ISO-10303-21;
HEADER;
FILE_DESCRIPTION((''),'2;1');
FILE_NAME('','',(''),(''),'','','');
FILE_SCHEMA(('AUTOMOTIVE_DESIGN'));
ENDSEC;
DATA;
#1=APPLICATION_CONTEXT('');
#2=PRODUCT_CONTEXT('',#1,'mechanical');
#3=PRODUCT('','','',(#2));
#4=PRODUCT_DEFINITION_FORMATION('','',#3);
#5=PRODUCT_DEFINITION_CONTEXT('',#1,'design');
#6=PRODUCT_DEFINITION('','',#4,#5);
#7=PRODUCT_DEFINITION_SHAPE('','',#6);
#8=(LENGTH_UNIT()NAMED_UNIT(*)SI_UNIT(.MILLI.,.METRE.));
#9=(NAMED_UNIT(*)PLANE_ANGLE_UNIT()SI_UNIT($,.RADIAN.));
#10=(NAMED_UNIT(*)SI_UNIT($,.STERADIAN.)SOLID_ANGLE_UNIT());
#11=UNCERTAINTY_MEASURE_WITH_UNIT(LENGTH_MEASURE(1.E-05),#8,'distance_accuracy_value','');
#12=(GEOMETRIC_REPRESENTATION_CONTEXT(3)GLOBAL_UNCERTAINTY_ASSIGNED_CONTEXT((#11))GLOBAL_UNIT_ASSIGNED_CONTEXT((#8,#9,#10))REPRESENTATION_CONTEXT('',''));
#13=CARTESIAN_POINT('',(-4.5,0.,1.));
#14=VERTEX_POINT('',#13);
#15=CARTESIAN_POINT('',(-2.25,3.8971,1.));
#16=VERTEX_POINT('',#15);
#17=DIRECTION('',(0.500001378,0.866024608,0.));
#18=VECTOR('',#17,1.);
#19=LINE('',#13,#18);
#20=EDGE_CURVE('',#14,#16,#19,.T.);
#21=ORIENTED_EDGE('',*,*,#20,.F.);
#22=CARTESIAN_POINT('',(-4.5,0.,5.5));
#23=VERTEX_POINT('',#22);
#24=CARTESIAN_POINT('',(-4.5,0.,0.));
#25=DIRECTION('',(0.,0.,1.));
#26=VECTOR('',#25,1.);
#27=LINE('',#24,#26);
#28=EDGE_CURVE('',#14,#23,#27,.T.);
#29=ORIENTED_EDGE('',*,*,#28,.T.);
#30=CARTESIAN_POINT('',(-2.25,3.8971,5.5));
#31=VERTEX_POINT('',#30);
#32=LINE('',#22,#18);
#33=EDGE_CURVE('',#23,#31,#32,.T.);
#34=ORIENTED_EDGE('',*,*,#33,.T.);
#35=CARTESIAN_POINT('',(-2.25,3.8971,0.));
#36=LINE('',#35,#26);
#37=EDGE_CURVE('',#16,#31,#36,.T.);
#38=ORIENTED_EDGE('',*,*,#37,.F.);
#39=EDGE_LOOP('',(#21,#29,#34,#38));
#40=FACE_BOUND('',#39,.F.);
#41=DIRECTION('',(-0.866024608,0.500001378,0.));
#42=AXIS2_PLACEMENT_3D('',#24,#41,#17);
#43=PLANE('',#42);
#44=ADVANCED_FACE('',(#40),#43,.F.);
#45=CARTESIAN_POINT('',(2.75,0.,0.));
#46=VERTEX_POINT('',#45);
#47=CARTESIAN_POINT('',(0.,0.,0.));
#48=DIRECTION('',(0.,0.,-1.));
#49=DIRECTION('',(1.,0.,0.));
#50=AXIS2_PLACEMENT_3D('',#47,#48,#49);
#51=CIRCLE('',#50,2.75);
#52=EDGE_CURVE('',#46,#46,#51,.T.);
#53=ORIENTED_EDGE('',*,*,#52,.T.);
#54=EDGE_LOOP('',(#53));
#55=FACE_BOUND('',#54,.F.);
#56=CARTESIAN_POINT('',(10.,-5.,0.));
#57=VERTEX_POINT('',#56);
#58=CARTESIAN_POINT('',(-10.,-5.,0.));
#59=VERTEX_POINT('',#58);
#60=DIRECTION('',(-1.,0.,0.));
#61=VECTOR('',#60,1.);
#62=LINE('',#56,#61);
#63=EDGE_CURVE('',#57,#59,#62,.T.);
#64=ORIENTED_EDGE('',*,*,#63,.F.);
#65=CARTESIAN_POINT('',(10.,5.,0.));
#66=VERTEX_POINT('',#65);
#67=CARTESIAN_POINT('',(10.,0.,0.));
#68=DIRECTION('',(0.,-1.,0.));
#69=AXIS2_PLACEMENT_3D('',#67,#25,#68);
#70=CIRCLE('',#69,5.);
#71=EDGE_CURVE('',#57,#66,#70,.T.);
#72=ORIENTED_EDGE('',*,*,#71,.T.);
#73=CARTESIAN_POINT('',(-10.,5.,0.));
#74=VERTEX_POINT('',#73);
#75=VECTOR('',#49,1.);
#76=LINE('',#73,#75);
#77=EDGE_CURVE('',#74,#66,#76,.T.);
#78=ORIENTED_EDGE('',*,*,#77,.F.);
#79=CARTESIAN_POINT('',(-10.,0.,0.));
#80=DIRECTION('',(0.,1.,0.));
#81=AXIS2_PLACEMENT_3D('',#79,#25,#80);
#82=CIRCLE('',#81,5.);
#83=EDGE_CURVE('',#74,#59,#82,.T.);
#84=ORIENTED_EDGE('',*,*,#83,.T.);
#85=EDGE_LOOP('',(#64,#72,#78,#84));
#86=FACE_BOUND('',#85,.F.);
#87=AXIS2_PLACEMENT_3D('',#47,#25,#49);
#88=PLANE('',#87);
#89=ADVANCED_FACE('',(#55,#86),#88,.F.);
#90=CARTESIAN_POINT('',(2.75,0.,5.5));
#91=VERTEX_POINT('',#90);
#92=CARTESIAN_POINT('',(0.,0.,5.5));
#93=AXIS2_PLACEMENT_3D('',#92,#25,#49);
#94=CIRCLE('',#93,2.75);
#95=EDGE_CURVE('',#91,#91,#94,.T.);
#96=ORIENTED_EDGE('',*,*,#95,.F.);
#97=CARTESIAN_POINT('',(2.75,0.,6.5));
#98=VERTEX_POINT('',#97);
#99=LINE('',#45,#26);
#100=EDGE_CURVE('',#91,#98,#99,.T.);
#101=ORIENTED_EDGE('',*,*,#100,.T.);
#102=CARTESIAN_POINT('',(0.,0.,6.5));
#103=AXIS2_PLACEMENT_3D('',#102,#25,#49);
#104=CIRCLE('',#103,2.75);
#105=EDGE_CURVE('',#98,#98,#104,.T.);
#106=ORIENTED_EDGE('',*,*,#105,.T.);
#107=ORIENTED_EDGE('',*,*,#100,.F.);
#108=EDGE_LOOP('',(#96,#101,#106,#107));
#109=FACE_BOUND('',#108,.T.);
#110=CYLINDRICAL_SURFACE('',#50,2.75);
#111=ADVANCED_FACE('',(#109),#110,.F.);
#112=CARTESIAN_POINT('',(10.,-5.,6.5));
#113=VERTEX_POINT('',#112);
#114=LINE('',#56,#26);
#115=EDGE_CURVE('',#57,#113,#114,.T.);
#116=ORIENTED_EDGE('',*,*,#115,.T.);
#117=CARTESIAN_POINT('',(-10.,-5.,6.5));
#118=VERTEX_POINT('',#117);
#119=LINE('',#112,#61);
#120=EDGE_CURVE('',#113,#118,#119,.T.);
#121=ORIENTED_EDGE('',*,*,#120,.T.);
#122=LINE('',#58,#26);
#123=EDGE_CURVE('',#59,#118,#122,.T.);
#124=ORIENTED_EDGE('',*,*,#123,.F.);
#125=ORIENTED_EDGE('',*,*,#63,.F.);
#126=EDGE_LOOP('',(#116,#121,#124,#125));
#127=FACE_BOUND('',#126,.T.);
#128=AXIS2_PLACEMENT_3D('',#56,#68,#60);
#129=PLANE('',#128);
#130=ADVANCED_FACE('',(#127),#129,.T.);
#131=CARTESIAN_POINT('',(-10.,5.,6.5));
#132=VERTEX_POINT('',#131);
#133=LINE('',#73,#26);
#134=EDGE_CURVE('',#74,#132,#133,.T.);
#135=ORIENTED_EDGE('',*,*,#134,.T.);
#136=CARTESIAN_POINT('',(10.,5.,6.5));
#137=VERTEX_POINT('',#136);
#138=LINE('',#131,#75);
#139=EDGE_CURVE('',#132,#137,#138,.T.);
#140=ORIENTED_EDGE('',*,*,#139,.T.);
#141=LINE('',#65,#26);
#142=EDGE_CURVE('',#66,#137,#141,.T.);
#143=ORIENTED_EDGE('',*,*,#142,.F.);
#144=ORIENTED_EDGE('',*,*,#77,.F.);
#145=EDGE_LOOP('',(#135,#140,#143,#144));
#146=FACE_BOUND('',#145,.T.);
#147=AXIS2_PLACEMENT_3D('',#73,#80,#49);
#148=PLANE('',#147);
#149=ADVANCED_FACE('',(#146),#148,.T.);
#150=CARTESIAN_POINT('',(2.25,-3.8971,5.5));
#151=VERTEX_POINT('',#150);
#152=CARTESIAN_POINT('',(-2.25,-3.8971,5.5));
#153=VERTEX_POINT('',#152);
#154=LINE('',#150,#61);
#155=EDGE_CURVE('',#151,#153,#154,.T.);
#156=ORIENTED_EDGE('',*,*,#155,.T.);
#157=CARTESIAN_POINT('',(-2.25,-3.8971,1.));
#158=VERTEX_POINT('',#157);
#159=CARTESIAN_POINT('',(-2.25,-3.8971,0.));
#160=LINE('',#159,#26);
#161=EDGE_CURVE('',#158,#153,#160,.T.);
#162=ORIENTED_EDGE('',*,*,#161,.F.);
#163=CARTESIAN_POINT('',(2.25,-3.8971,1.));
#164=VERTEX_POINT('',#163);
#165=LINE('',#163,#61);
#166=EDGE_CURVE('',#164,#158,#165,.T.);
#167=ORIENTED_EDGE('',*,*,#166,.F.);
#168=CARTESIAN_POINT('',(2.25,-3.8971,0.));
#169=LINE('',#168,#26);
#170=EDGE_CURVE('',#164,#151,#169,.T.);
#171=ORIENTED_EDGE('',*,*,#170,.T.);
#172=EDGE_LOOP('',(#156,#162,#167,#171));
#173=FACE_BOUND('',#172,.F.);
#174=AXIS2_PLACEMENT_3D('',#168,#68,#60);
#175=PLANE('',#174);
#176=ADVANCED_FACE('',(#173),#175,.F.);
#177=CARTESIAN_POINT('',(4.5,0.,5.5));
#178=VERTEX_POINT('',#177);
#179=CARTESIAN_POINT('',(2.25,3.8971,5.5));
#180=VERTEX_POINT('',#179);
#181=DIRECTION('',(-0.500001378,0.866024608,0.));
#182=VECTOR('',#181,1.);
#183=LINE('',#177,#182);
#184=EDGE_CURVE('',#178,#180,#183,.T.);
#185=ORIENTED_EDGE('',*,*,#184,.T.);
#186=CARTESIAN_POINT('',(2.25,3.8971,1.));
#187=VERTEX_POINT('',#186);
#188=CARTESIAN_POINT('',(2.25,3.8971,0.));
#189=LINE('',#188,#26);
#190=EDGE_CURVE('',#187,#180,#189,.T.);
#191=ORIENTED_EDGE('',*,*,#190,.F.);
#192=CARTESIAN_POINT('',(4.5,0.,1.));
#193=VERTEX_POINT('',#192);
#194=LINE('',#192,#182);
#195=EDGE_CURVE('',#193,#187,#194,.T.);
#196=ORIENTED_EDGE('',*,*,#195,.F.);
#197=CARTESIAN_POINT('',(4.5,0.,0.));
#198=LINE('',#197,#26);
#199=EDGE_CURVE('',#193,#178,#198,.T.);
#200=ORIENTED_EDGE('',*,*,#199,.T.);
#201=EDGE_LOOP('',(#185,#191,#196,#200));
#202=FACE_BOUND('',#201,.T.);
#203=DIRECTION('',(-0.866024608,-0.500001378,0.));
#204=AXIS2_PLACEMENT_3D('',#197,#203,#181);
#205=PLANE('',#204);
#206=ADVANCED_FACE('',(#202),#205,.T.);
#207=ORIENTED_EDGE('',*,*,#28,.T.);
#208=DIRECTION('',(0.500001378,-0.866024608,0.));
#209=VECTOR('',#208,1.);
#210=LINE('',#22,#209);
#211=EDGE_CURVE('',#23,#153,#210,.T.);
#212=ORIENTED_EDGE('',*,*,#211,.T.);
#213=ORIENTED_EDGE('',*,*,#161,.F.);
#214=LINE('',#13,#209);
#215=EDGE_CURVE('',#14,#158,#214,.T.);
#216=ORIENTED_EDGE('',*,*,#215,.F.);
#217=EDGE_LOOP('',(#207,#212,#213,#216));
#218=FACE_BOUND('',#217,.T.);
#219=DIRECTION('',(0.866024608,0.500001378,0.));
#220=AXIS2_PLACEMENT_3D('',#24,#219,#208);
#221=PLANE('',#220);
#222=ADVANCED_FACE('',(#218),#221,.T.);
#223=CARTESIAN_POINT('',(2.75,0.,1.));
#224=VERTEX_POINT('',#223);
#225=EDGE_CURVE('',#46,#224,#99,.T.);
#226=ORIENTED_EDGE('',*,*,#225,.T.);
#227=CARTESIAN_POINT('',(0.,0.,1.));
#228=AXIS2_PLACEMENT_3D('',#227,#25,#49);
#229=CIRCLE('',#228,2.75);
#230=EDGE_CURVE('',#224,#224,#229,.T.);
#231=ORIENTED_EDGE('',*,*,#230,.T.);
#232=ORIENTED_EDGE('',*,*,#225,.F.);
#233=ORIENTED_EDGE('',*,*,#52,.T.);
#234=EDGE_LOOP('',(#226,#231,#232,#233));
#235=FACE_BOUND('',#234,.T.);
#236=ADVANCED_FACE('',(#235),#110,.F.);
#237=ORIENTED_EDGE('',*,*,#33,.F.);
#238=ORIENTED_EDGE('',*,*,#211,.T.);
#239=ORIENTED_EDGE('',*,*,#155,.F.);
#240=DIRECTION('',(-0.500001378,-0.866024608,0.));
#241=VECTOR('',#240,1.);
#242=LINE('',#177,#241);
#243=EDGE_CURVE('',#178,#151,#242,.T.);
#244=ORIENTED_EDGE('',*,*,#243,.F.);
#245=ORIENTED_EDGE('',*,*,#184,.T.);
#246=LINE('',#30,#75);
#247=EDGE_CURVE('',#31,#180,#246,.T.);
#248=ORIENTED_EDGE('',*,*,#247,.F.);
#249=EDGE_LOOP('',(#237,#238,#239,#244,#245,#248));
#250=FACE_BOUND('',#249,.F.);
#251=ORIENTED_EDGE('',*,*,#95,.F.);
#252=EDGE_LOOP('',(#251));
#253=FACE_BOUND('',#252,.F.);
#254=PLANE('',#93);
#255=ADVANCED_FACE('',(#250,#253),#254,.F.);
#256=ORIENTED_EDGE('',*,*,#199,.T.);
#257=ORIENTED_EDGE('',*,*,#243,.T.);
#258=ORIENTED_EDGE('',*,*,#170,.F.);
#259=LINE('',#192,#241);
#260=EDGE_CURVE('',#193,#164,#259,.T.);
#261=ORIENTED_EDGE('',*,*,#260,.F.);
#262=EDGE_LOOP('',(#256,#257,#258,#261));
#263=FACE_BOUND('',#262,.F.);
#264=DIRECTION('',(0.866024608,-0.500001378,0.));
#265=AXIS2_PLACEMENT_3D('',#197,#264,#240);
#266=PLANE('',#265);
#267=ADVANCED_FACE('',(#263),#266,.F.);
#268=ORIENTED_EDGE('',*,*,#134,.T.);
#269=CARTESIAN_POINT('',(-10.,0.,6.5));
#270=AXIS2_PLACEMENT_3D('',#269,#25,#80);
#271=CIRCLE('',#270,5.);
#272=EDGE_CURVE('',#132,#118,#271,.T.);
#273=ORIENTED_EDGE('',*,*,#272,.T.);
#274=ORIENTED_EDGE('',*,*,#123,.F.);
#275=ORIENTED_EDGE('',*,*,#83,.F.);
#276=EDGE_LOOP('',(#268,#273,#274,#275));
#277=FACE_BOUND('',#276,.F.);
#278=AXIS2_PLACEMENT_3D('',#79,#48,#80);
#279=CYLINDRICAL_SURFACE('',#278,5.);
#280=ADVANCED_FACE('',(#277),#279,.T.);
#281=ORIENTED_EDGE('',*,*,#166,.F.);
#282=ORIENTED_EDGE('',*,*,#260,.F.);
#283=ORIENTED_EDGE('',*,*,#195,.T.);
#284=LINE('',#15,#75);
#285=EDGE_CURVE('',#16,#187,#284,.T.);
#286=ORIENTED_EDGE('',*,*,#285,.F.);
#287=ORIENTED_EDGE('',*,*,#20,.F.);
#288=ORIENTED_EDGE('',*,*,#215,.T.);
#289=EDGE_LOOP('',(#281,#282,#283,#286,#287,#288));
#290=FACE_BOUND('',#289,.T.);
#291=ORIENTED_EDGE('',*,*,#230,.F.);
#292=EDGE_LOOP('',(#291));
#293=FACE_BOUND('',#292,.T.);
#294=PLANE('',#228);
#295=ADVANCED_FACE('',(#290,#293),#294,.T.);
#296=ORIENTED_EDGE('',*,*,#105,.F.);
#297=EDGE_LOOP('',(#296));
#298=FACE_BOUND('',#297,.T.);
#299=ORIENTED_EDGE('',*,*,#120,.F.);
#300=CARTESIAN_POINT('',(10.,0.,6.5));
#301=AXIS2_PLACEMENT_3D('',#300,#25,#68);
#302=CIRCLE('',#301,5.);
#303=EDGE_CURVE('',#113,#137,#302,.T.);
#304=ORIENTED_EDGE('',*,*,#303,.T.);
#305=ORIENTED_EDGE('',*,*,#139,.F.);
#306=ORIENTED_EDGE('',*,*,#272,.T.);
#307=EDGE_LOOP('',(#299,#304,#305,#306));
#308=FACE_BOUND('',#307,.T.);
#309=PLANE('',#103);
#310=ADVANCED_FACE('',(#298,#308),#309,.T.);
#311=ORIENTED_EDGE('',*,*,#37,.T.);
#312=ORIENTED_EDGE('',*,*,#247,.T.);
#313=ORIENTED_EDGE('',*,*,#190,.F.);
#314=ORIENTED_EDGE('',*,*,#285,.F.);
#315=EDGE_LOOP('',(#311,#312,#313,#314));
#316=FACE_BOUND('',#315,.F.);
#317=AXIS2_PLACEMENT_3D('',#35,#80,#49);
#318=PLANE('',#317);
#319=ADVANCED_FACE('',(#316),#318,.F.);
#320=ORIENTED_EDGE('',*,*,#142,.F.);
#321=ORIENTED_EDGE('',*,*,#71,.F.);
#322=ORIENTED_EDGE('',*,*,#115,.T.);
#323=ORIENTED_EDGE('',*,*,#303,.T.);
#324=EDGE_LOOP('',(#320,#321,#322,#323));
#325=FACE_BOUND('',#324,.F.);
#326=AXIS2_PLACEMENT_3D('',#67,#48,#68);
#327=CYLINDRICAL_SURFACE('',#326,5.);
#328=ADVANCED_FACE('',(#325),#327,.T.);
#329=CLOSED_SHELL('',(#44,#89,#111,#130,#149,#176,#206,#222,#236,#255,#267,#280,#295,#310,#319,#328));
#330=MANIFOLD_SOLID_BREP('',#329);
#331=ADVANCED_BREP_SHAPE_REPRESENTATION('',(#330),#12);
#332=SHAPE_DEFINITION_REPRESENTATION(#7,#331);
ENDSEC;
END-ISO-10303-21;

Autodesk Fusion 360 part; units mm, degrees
sketch "Sketch2" plane through (0, 0, 0) normal (0, 0, 1) x (1, 0, 0)
  line L0 (-4.5, 0) -> (4.5, 0)
  line L1 (-4.5, 0) -> (-2.25, 3.8971)
  line L2 (4.5, 0) -> (2.25, 3.8971)
  line L3 (4.5, 0) -> (9, 0) construction
  line L4 (-2.25, 3.8971) -> (2.25, 3.8971)
  line L5 (-4.5, 0) -> (-2.25, -3.8971)
  line L6 (4.5, 0) -> (2.25, -3.8971)
  line L7 (2.25, -3.8971) -> (-2.25, -3.8971)
  line L8 (-10, 5) -> (10, 5)
  line L9 (10, -5) -> (-10, -5)
  arc A0 (-10, 5) -> (-10, -5) centre (-10, 0) ccw
  arc A1 (10, -5) -> (10, 5) centre (10, 0) ccw
  circle A2 centre (0, 0) radius 2.75
  dimension "d15" = 120
  dimension "d16" = 120
  dimension "d17" = 5.5
extrude "Extrude3" add sketch "Sketch2" along normal blind 6.5 contours L0 L1 L2 L4 A2 | L0 L5 L6 L7 A2 | L8 L9 A0 A1
extrude "Extrude4" cut sketch "Sketch2" along normal blind 5.5 contours L0 L1 L2 L4 A2 | L0 L5 L6 L7 A2
extrude "Extrude5" add sketch "Sketch2" along normal blind 1 contours L0 L1 L2 L4 A2 | L0 L5 L6 L7 A2
